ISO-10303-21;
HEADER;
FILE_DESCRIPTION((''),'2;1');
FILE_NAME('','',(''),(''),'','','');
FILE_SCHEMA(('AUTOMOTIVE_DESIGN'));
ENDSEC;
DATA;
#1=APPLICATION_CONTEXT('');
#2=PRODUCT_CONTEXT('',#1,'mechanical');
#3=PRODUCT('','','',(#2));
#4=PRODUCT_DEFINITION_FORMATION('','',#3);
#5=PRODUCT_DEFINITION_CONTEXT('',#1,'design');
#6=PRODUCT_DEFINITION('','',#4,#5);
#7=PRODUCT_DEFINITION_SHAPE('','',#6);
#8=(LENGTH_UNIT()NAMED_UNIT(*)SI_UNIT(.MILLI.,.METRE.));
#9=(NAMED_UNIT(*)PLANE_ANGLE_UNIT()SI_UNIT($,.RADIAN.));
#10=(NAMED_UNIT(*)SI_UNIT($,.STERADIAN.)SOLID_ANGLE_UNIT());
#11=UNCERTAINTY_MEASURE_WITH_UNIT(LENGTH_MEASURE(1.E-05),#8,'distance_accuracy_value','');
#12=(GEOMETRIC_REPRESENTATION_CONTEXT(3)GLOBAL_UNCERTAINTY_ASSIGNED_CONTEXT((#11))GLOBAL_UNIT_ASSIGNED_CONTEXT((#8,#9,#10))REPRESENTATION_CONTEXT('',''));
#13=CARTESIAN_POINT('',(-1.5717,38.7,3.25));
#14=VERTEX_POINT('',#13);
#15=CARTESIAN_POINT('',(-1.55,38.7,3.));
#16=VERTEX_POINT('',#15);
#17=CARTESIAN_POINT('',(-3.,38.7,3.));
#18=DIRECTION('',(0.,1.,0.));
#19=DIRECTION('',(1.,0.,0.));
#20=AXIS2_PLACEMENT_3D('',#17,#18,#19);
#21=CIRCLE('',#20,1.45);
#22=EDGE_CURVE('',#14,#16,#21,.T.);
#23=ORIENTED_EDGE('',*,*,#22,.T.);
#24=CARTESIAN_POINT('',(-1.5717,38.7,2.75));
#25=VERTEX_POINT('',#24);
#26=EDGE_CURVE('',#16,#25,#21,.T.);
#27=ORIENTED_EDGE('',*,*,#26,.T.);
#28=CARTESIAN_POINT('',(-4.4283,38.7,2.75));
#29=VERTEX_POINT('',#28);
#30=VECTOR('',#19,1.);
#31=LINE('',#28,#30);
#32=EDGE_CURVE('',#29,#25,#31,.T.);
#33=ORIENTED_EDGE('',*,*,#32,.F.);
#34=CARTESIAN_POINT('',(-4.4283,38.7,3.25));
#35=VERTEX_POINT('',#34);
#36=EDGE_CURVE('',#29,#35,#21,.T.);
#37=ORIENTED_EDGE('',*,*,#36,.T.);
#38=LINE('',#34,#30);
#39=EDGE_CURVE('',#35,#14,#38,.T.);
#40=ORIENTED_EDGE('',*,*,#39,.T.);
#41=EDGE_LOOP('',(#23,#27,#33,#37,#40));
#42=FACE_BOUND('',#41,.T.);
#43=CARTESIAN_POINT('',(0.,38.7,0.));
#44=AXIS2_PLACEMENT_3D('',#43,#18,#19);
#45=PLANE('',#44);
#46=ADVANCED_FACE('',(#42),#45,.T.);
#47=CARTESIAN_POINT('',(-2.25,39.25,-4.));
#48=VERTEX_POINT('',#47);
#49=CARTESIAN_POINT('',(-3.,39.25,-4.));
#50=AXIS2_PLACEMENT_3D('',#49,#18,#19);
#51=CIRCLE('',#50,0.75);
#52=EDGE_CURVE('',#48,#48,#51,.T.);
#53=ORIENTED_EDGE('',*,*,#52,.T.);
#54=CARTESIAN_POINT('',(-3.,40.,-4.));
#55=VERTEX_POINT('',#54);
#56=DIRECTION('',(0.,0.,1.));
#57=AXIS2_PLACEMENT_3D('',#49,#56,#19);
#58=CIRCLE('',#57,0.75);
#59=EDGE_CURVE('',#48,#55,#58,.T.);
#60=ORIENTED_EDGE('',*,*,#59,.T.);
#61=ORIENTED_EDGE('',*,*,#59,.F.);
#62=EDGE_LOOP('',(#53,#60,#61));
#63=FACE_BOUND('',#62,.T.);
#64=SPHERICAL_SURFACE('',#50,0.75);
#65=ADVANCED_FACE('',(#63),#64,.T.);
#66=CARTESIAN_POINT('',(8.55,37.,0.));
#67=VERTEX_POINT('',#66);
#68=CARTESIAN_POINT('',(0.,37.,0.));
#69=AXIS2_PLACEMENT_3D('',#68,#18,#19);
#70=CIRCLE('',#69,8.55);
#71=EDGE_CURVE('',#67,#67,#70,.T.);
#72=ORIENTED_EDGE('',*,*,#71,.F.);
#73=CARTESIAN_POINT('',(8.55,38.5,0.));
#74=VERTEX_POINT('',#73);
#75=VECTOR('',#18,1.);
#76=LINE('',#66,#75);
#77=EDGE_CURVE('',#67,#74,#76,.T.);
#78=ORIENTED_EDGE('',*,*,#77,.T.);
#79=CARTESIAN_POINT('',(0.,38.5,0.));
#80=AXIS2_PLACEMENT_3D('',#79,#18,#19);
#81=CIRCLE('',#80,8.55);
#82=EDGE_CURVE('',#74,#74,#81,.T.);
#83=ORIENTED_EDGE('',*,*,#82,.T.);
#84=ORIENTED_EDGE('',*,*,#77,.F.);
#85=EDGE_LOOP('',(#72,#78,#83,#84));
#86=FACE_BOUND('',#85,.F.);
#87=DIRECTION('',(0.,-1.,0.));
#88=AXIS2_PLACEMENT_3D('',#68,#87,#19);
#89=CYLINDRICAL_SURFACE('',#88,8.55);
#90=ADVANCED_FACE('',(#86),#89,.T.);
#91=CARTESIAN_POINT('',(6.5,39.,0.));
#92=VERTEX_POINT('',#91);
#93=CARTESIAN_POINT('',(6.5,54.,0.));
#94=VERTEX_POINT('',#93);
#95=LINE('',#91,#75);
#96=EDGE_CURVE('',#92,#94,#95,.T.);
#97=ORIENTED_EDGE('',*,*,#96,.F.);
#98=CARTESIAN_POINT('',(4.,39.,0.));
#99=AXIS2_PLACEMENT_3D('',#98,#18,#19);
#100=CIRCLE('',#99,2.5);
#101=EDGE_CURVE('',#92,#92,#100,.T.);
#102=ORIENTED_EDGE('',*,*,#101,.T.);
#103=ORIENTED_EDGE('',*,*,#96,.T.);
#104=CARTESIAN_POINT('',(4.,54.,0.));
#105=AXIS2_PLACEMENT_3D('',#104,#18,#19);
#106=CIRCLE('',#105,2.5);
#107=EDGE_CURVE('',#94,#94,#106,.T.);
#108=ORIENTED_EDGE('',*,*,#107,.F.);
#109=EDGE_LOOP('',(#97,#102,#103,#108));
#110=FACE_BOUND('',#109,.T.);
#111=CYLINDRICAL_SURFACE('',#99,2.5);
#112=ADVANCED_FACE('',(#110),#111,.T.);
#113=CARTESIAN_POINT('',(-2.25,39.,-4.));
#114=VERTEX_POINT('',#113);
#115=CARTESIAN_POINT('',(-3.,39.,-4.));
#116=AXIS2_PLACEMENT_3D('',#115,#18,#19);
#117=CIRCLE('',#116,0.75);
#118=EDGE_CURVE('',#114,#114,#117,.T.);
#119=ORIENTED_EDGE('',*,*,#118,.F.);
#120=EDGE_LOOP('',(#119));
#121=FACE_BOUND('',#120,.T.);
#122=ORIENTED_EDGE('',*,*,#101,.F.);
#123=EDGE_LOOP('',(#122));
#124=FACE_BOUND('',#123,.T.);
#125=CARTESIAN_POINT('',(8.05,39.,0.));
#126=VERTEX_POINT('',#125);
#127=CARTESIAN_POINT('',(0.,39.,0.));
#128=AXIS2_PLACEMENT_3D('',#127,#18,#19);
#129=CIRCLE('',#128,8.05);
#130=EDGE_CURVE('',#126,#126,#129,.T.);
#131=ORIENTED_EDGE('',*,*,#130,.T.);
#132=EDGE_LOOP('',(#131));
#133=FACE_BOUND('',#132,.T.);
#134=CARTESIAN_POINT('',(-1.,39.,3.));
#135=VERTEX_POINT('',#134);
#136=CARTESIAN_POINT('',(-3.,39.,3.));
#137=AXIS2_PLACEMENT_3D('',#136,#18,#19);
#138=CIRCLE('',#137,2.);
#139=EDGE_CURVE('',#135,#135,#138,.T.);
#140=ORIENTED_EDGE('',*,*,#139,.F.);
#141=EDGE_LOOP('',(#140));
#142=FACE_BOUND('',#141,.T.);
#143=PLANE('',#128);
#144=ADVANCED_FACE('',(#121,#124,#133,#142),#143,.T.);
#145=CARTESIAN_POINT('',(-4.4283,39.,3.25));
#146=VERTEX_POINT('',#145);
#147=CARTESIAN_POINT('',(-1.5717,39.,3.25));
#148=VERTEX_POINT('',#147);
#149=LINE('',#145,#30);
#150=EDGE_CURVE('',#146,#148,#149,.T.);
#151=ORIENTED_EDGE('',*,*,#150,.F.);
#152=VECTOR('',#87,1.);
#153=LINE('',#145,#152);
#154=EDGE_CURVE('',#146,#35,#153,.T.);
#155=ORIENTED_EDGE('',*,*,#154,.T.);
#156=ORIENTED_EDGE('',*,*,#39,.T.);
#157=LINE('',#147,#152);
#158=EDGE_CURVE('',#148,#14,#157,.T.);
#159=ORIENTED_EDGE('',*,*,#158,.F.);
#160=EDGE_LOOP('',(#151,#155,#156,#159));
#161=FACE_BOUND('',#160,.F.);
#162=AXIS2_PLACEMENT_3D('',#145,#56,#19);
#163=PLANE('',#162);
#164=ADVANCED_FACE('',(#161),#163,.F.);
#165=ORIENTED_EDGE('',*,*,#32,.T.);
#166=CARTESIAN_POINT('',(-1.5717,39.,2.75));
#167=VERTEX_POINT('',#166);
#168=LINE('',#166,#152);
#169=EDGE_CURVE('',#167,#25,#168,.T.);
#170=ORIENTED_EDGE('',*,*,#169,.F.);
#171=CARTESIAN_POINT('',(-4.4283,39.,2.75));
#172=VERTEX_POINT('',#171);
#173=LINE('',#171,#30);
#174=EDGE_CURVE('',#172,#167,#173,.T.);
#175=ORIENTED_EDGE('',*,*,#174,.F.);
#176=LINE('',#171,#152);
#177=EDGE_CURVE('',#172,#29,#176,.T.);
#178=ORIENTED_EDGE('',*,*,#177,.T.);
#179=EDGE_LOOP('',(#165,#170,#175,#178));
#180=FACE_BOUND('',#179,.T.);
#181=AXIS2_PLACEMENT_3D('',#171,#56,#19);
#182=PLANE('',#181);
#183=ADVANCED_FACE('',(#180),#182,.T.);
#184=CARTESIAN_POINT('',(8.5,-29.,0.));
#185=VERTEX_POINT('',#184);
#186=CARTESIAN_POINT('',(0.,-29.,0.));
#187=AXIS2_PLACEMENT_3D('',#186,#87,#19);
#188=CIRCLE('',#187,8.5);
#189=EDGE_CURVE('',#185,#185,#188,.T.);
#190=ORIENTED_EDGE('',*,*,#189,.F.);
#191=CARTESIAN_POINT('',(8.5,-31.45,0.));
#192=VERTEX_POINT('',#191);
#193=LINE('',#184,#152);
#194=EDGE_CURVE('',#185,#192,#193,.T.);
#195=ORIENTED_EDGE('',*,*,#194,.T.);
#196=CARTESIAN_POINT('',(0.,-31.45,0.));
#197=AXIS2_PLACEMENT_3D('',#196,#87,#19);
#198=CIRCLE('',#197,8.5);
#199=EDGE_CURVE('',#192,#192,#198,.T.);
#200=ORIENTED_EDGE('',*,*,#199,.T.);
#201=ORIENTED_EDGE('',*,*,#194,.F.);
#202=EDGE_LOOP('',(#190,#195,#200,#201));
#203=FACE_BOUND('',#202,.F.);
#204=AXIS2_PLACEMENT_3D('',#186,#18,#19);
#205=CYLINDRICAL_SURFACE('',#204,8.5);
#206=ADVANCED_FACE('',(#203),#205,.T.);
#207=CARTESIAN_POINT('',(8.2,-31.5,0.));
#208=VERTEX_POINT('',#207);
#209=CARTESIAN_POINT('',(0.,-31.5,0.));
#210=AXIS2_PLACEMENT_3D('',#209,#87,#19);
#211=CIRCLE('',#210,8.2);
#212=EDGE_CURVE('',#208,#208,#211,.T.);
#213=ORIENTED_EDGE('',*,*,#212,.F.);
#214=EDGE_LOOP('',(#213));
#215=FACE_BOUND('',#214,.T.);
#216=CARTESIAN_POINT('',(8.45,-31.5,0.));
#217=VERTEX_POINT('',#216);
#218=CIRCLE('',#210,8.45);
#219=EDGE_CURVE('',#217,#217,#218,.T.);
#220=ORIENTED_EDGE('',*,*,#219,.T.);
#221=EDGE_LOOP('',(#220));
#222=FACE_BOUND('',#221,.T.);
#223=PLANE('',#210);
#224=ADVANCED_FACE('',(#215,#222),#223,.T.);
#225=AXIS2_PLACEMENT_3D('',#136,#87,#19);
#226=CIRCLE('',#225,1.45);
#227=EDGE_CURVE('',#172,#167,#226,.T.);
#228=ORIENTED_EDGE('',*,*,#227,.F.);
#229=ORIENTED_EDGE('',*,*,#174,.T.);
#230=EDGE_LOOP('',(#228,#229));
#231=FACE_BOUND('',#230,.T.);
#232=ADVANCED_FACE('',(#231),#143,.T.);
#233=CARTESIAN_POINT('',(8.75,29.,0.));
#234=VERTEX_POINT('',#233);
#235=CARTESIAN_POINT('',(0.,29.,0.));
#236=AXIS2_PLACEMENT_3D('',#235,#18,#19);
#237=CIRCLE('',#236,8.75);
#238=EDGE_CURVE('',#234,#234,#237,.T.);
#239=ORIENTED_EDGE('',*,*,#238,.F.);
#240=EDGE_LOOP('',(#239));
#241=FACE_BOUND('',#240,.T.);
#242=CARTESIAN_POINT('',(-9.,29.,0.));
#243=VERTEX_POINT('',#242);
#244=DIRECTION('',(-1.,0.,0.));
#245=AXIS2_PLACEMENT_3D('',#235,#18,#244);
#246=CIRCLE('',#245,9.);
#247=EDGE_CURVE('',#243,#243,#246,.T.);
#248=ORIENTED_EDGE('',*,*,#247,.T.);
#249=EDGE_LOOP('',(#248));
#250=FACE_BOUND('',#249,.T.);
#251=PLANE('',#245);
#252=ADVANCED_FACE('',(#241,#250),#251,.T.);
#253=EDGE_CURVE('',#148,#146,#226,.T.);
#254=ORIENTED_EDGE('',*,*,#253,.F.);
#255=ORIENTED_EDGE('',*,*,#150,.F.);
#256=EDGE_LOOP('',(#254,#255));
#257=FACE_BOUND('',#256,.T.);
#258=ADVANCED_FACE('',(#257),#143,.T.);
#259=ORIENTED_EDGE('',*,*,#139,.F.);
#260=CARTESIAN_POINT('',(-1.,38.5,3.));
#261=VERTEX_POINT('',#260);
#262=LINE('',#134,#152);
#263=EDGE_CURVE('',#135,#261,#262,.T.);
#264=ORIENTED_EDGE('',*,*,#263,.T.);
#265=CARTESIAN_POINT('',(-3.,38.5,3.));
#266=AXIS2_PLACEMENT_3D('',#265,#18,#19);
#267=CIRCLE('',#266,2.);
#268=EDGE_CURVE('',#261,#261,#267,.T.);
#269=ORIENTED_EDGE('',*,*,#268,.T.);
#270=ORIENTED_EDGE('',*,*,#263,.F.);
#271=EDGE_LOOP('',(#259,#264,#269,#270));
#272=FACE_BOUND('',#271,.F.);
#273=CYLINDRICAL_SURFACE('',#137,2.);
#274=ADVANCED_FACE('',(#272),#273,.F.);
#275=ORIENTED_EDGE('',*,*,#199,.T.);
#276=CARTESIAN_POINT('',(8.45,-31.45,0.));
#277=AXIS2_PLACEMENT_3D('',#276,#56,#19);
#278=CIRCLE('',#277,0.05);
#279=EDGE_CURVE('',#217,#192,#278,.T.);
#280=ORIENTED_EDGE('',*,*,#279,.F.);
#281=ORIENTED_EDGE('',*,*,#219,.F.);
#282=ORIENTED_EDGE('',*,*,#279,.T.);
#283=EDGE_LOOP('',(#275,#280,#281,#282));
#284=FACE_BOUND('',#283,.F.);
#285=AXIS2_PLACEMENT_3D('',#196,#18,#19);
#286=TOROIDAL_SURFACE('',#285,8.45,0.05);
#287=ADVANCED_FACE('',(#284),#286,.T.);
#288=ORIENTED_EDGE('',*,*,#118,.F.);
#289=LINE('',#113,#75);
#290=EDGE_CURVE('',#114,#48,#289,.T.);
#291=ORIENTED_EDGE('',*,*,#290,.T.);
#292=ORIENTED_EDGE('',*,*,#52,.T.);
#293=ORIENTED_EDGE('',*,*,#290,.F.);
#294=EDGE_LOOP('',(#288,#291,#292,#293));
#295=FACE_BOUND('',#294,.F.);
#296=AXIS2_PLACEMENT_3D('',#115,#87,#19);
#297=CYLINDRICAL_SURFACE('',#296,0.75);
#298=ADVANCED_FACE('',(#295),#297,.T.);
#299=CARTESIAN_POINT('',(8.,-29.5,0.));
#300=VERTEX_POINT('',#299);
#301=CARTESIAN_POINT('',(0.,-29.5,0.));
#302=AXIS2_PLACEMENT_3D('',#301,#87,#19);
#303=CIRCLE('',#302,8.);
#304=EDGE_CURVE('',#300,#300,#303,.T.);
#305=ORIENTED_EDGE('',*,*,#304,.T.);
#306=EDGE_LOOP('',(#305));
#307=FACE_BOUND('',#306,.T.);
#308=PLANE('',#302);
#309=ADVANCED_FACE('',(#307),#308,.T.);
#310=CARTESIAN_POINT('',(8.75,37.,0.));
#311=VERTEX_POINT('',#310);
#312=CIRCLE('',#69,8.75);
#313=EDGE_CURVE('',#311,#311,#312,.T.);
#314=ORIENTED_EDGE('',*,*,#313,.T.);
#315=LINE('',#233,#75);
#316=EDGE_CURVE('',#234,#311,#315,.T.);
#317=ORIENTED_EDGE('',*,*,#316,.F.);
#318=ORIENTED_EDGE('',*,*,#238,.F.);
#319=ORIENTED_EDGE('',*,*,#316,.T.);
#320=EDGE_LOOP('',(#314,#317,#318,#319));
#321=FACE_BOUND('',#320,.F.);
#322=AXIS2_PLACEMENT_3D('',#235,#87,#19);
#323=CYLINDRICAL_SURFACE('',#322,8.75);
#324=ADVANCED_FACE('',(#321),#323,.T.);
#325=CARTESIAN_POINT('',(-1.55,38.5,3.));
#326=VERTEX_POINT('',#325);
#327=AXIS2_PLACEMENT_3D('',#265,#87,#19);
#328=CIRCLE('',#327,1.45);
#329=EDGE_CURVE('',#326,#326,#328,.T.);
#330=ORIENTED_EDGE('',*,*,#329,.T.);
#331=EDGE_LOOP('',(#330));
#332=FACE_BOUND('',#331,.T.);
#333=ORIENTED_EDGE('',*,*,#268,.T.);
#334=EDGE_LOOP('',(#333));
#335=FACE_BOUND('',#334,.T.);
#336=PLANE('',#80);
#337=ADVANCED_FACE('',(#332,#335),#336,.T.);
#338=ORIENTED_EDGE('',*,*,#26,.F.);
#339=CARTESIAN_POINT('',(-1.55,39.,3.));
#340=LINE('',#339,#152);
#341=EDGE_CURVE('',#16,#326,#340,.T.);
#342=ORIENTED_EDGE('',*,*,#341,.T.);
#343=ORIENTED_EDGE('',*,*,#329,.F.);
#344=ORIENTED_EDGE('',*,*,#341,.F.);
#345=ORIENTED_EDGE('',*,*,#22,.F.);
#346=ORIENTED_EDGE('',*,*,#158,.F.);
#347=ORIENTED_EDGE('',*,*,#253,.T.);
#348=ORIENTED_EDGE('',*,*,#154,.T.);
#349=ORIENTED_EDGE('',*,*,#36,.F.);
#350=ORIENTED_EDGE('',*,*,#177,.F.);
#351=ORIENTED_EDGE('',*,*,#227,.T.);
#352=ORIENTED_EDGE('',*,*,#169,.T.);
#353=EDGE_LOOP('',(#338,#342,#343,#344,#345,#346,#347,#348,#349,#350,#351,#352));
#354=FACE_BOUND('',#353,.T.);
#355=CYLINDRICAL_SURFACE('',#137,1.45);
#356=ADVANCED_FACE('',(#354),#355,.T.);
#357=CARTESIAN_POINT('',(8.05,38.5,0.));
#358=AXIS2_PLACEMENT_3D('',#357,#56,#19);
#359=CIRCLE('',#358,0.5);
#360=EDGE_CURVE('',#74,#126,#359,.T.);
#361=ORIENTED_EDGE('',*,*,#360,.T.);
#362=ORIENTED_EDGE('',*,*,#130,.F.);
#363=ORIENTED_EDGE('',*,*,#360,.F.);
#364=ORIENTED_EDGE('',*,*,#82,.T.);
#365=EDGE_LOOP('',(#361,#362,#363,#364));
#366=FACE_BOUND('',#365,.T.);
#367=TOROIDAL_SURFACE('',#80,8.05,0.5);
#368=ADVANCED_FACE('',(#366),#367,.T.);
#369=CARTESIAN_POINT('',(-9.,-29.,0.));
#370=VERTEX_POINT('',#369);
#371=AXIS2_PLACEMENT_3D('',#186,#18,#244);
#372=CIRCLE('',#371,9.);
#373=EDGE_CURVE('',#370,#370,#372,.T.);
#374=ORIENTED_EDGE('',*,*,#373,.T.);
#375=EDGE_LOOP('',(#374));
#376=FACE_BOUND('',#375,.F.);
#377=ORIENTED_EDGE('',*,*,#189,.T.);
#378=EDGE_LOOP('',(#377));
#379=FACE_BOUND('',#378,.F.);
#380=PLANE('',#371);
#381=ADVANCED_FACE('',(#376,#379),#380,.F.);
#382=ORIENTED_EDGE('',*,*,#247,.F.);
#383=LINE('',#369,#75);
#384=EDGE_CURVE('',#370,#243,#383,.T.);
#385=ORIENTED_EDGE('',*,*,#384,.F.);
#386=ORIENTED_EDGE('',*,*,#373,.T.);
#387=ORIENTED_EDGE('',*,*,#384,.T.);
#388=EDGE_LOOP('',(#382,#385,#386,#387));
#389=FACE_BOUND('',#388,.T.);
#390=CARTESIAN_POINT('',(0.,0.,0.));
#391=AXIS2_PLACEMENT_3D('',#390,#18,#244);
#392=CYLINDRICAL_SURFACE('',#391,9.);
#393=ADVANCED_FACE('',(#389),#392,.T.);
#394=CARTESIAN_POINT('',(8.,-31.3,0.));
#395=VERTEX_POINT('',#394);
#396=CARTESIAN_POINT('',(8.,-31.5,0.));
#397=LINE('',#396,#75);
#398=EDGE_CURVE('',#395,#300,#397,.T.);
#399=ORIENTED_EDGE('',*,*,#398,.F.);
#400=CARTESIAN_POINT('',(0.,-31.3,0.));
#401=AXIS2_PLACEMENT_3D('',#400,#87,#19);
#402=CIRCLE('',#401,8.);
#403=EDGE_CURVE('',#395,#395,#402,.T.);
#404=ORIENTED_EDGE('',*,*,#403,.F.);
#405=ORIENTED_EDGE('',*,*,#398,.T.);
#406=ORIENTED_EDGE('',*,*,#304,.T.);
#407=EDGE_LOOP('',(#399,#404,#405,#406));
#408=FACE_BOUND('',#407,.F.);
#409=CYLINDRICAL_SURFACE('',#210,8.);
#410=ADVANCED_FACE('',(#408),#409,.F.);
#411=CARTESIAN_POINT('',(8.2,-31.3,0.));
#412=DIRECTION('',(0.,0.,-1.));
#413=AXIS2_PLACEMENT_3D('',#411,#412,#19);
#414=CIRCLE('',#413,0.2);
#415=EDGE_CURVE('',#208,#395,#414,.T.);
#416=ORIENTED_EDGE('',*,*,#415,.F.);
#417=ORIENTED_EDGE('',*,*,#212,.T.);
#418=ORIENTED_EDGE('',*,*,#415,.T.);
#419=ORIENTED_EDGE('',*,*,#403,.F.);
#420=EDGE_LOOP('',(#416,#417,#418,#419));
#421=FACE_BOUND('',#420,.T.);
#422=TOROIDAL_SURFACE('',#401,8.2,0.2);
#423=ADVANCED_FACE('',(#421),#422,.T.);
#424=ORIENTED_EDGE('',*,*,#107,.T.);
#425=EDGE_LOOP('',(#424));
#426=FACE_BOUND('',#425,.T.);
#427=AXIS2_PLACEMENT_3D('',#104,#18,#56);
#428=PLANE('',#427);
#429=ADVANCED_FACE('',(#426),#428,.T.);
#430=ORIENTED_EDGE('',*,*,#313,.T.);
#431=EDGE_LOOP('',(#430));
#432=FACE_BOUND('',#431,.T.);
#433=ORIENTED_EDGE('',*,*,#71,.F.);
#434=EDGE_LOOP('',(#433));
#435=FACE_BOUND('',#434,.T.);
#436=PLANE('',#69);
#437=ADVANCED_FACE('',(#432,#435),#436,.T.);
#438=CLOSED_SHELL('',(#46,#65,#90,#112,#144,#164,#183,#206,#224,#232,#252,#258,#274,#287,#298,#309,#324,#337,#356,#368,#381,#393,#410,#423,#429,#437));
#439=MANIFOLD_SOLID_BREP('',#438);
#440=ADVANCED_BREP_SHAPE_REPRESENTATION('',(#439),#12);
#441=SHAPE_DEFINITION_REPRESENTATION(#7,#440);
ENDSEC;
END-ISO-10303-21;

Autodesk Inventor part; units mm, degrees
ref_plane "YZ Plane" through (0, 0, 0) normal (1, 0, 0) x (0, 1, 0)
ref_plane "XZ Plane" through (0, 0, 0) normal (0, 1, 0) x (-1, 0, 0)
ref_plane "XY Plane" through (0, 0, 0) normal (0, 0, 1) x (1, 0, 0)
sketch "Sketch1" plane through (0, 0, 0) normal (0, 1, 0) x (-1, 0, 0)
  circle A0 centre (0, 0) radius 9
  dimension "d0" = 18
extrude "Extrusion1" add sketch "Sketch1" along normal mid plane 58
thread "Thread1"
sketch "Sketch2" plane through (0, -29, 0) normal (0, -1, 0) x (1, 0, 0)
  circle A0 centre (0, 0) radius 8.5
  dimension "d13" = 17
extrude "Extrusion2" add sketch "Sketch2" along normal blind 2.5
sketch "Sketch3" plane through (0, -31.5, 0) normal (0, -1, 0) x (1, 0, 0)
  circle A0 centre (0, 0) radius 8
  circle A1 centre (0, 0) radius 8.5 projected
  dimension "d14" = 0.5
extrude "Extrusion3" cut sketch "Sketch3" against normal blind 2 contours A0
fillet "Fillet1" radius 0.2 1 edges at (-8, -31.5, 0)
fillet "Fillet2" radius 0.05 1 edges at (-8.5, -31.5, 0)
sketch "Sketch4" plane through (0, 29, 0) normal (0, 1, 0) x (1, 0, 0)
  circle A0 centre (0, 0) radius 8.75
  dimension "d15" = 17.5
extrude "Extrusion4" add sketch "Sketch4" along normal blind 8
sketch "Sketch5" plane through (0, 37, 0) normal (0, 1, 0) x (1, 0, 0)
  circle A0 centre (0, 0) radius 8.55
  circle A1 centre (0, 0) radius 8.75 projected
  dimension "d18" = 0.2
extrude "Extrusion5" add sketch "Sketch5" along normal blind 2 contours A0
fillet "Fillet3" radius 0.5 1 edges at (-8.55, 39, 0)
sketch "Sketch6" plane through (0, 39, 0) normal (0, 1, 0) x (1, 0, 0)
  circle A0 centre (4, 0) radius 2.5
  point P0 (0, 0)
  dimension "d22" = 5
  dimension "d23" = 4
sketch3d "3D Sketch1"
  line L0 (4, 39, 0) -> (4, 54, 0)
  dimension "d26" = 15
sweep "Sweep2" add profiles "Sketch6" path "3D Sketch1"
sketch "Sketch7" plane through (0, 39, 0) normal (0, 1, 0) x (1, 0, 0)
  circle A0 centre (-3, -3) radius 2
  circle A1 centre (-3, -3) radius 1.45
  line L0 (-4.4283, -3.25) -> (-1.5717, -3.25)
  line L1 (-4.4283, -2.75) -> (-1.5717, -2.75)
  point P0 (0, 0)
  dimension "d29" = 4
  dimension "d30" = 3
  dimension "d31" = 3
  dimension "d32" = 2.9
  dimension "d33" = 0.5
  dimension "d34" = 0.25
extrude "Extrusion6" cut sketch "Sketch7" against normal blind 0.5
extrude "Extrusion7" cut sketch "Sketch7" against normal blind 0.3 contours A1 L0 L1
sketch "Sketch8" plane through (0, 39, 0) normal (0, 1, 0) x (1, 0, 0)
  circle A0 centre (-3, 4) radius 0.75
  point P0 (0, 0)
  dimension "d39" = 1.5
  dimension "d40" = 4
  dimension "d41" = 3
extrude "Extrusion8" add sketch "Sketch8" along normal blind 1
fillet "Fillet4" radius 0.75 1 edges at (-3.75, 40, -4)
sketch "Sketch9" plane through (0, -29.5, 0) normal (0, -1, 0) x (1, 0, 0)
  line L0 (1.5, 5) -> (-1.5, 5)
  line L1 (-1.5, 5) -> (-1.5, 1)
  line L2 (-1.5, 1) -> (1.5, 1)
  line L3 (1.5, 1) -> (1.5, 5)
  line L4 (1.5, -1) -> (-1.5, -1)
  line L5 (-1.5, -1) -> (-1.5, -5)
  line L6 (-1.5, -5) -> (1.5, -5)
  line L7 (1.5, -5) -> (1.5, -1)
  point P0 (0, 0)
  point P1 (0, 1)
  dimension "d45" = 4
  dimension "d46" = 4
  dimension "d47" = 3
  dimension "d48" = 2
  dimension "d49" = 1
sketch "Sketch10" plane through (0, 0, 0) normal (1, 0, 0) x (0, 1, 0)
  line L0 (-29.5, -5) -> (-29.5, -1) projected
  line L1 (-29.5, 1) -> (-29.5, 5) projected
  spline S0 degree 2 poles (-29.5, -1) (-31.582, -1.7446) (-29.5, -5) knots 0 0 0 1 1 1
  spline S1 degree 2 poles (-29.5, 1) (-31.5, 3) (-29.5, 5) knots 0 0 0 1 1 1
  line L2 (-29.5, -8) -> (-29.5, 8) projected
  point P0 (0, 0)
  point P1 (-30.5, -2)
  point P2 (-30.5, 3)
  dimension "d50" = 5
  dimension "d51" = 1
  dimension "d52" = 6
properties part number "2309HCMUTE-CDT23-CB_E3F-DS30C4" material "PVC-Piping"
